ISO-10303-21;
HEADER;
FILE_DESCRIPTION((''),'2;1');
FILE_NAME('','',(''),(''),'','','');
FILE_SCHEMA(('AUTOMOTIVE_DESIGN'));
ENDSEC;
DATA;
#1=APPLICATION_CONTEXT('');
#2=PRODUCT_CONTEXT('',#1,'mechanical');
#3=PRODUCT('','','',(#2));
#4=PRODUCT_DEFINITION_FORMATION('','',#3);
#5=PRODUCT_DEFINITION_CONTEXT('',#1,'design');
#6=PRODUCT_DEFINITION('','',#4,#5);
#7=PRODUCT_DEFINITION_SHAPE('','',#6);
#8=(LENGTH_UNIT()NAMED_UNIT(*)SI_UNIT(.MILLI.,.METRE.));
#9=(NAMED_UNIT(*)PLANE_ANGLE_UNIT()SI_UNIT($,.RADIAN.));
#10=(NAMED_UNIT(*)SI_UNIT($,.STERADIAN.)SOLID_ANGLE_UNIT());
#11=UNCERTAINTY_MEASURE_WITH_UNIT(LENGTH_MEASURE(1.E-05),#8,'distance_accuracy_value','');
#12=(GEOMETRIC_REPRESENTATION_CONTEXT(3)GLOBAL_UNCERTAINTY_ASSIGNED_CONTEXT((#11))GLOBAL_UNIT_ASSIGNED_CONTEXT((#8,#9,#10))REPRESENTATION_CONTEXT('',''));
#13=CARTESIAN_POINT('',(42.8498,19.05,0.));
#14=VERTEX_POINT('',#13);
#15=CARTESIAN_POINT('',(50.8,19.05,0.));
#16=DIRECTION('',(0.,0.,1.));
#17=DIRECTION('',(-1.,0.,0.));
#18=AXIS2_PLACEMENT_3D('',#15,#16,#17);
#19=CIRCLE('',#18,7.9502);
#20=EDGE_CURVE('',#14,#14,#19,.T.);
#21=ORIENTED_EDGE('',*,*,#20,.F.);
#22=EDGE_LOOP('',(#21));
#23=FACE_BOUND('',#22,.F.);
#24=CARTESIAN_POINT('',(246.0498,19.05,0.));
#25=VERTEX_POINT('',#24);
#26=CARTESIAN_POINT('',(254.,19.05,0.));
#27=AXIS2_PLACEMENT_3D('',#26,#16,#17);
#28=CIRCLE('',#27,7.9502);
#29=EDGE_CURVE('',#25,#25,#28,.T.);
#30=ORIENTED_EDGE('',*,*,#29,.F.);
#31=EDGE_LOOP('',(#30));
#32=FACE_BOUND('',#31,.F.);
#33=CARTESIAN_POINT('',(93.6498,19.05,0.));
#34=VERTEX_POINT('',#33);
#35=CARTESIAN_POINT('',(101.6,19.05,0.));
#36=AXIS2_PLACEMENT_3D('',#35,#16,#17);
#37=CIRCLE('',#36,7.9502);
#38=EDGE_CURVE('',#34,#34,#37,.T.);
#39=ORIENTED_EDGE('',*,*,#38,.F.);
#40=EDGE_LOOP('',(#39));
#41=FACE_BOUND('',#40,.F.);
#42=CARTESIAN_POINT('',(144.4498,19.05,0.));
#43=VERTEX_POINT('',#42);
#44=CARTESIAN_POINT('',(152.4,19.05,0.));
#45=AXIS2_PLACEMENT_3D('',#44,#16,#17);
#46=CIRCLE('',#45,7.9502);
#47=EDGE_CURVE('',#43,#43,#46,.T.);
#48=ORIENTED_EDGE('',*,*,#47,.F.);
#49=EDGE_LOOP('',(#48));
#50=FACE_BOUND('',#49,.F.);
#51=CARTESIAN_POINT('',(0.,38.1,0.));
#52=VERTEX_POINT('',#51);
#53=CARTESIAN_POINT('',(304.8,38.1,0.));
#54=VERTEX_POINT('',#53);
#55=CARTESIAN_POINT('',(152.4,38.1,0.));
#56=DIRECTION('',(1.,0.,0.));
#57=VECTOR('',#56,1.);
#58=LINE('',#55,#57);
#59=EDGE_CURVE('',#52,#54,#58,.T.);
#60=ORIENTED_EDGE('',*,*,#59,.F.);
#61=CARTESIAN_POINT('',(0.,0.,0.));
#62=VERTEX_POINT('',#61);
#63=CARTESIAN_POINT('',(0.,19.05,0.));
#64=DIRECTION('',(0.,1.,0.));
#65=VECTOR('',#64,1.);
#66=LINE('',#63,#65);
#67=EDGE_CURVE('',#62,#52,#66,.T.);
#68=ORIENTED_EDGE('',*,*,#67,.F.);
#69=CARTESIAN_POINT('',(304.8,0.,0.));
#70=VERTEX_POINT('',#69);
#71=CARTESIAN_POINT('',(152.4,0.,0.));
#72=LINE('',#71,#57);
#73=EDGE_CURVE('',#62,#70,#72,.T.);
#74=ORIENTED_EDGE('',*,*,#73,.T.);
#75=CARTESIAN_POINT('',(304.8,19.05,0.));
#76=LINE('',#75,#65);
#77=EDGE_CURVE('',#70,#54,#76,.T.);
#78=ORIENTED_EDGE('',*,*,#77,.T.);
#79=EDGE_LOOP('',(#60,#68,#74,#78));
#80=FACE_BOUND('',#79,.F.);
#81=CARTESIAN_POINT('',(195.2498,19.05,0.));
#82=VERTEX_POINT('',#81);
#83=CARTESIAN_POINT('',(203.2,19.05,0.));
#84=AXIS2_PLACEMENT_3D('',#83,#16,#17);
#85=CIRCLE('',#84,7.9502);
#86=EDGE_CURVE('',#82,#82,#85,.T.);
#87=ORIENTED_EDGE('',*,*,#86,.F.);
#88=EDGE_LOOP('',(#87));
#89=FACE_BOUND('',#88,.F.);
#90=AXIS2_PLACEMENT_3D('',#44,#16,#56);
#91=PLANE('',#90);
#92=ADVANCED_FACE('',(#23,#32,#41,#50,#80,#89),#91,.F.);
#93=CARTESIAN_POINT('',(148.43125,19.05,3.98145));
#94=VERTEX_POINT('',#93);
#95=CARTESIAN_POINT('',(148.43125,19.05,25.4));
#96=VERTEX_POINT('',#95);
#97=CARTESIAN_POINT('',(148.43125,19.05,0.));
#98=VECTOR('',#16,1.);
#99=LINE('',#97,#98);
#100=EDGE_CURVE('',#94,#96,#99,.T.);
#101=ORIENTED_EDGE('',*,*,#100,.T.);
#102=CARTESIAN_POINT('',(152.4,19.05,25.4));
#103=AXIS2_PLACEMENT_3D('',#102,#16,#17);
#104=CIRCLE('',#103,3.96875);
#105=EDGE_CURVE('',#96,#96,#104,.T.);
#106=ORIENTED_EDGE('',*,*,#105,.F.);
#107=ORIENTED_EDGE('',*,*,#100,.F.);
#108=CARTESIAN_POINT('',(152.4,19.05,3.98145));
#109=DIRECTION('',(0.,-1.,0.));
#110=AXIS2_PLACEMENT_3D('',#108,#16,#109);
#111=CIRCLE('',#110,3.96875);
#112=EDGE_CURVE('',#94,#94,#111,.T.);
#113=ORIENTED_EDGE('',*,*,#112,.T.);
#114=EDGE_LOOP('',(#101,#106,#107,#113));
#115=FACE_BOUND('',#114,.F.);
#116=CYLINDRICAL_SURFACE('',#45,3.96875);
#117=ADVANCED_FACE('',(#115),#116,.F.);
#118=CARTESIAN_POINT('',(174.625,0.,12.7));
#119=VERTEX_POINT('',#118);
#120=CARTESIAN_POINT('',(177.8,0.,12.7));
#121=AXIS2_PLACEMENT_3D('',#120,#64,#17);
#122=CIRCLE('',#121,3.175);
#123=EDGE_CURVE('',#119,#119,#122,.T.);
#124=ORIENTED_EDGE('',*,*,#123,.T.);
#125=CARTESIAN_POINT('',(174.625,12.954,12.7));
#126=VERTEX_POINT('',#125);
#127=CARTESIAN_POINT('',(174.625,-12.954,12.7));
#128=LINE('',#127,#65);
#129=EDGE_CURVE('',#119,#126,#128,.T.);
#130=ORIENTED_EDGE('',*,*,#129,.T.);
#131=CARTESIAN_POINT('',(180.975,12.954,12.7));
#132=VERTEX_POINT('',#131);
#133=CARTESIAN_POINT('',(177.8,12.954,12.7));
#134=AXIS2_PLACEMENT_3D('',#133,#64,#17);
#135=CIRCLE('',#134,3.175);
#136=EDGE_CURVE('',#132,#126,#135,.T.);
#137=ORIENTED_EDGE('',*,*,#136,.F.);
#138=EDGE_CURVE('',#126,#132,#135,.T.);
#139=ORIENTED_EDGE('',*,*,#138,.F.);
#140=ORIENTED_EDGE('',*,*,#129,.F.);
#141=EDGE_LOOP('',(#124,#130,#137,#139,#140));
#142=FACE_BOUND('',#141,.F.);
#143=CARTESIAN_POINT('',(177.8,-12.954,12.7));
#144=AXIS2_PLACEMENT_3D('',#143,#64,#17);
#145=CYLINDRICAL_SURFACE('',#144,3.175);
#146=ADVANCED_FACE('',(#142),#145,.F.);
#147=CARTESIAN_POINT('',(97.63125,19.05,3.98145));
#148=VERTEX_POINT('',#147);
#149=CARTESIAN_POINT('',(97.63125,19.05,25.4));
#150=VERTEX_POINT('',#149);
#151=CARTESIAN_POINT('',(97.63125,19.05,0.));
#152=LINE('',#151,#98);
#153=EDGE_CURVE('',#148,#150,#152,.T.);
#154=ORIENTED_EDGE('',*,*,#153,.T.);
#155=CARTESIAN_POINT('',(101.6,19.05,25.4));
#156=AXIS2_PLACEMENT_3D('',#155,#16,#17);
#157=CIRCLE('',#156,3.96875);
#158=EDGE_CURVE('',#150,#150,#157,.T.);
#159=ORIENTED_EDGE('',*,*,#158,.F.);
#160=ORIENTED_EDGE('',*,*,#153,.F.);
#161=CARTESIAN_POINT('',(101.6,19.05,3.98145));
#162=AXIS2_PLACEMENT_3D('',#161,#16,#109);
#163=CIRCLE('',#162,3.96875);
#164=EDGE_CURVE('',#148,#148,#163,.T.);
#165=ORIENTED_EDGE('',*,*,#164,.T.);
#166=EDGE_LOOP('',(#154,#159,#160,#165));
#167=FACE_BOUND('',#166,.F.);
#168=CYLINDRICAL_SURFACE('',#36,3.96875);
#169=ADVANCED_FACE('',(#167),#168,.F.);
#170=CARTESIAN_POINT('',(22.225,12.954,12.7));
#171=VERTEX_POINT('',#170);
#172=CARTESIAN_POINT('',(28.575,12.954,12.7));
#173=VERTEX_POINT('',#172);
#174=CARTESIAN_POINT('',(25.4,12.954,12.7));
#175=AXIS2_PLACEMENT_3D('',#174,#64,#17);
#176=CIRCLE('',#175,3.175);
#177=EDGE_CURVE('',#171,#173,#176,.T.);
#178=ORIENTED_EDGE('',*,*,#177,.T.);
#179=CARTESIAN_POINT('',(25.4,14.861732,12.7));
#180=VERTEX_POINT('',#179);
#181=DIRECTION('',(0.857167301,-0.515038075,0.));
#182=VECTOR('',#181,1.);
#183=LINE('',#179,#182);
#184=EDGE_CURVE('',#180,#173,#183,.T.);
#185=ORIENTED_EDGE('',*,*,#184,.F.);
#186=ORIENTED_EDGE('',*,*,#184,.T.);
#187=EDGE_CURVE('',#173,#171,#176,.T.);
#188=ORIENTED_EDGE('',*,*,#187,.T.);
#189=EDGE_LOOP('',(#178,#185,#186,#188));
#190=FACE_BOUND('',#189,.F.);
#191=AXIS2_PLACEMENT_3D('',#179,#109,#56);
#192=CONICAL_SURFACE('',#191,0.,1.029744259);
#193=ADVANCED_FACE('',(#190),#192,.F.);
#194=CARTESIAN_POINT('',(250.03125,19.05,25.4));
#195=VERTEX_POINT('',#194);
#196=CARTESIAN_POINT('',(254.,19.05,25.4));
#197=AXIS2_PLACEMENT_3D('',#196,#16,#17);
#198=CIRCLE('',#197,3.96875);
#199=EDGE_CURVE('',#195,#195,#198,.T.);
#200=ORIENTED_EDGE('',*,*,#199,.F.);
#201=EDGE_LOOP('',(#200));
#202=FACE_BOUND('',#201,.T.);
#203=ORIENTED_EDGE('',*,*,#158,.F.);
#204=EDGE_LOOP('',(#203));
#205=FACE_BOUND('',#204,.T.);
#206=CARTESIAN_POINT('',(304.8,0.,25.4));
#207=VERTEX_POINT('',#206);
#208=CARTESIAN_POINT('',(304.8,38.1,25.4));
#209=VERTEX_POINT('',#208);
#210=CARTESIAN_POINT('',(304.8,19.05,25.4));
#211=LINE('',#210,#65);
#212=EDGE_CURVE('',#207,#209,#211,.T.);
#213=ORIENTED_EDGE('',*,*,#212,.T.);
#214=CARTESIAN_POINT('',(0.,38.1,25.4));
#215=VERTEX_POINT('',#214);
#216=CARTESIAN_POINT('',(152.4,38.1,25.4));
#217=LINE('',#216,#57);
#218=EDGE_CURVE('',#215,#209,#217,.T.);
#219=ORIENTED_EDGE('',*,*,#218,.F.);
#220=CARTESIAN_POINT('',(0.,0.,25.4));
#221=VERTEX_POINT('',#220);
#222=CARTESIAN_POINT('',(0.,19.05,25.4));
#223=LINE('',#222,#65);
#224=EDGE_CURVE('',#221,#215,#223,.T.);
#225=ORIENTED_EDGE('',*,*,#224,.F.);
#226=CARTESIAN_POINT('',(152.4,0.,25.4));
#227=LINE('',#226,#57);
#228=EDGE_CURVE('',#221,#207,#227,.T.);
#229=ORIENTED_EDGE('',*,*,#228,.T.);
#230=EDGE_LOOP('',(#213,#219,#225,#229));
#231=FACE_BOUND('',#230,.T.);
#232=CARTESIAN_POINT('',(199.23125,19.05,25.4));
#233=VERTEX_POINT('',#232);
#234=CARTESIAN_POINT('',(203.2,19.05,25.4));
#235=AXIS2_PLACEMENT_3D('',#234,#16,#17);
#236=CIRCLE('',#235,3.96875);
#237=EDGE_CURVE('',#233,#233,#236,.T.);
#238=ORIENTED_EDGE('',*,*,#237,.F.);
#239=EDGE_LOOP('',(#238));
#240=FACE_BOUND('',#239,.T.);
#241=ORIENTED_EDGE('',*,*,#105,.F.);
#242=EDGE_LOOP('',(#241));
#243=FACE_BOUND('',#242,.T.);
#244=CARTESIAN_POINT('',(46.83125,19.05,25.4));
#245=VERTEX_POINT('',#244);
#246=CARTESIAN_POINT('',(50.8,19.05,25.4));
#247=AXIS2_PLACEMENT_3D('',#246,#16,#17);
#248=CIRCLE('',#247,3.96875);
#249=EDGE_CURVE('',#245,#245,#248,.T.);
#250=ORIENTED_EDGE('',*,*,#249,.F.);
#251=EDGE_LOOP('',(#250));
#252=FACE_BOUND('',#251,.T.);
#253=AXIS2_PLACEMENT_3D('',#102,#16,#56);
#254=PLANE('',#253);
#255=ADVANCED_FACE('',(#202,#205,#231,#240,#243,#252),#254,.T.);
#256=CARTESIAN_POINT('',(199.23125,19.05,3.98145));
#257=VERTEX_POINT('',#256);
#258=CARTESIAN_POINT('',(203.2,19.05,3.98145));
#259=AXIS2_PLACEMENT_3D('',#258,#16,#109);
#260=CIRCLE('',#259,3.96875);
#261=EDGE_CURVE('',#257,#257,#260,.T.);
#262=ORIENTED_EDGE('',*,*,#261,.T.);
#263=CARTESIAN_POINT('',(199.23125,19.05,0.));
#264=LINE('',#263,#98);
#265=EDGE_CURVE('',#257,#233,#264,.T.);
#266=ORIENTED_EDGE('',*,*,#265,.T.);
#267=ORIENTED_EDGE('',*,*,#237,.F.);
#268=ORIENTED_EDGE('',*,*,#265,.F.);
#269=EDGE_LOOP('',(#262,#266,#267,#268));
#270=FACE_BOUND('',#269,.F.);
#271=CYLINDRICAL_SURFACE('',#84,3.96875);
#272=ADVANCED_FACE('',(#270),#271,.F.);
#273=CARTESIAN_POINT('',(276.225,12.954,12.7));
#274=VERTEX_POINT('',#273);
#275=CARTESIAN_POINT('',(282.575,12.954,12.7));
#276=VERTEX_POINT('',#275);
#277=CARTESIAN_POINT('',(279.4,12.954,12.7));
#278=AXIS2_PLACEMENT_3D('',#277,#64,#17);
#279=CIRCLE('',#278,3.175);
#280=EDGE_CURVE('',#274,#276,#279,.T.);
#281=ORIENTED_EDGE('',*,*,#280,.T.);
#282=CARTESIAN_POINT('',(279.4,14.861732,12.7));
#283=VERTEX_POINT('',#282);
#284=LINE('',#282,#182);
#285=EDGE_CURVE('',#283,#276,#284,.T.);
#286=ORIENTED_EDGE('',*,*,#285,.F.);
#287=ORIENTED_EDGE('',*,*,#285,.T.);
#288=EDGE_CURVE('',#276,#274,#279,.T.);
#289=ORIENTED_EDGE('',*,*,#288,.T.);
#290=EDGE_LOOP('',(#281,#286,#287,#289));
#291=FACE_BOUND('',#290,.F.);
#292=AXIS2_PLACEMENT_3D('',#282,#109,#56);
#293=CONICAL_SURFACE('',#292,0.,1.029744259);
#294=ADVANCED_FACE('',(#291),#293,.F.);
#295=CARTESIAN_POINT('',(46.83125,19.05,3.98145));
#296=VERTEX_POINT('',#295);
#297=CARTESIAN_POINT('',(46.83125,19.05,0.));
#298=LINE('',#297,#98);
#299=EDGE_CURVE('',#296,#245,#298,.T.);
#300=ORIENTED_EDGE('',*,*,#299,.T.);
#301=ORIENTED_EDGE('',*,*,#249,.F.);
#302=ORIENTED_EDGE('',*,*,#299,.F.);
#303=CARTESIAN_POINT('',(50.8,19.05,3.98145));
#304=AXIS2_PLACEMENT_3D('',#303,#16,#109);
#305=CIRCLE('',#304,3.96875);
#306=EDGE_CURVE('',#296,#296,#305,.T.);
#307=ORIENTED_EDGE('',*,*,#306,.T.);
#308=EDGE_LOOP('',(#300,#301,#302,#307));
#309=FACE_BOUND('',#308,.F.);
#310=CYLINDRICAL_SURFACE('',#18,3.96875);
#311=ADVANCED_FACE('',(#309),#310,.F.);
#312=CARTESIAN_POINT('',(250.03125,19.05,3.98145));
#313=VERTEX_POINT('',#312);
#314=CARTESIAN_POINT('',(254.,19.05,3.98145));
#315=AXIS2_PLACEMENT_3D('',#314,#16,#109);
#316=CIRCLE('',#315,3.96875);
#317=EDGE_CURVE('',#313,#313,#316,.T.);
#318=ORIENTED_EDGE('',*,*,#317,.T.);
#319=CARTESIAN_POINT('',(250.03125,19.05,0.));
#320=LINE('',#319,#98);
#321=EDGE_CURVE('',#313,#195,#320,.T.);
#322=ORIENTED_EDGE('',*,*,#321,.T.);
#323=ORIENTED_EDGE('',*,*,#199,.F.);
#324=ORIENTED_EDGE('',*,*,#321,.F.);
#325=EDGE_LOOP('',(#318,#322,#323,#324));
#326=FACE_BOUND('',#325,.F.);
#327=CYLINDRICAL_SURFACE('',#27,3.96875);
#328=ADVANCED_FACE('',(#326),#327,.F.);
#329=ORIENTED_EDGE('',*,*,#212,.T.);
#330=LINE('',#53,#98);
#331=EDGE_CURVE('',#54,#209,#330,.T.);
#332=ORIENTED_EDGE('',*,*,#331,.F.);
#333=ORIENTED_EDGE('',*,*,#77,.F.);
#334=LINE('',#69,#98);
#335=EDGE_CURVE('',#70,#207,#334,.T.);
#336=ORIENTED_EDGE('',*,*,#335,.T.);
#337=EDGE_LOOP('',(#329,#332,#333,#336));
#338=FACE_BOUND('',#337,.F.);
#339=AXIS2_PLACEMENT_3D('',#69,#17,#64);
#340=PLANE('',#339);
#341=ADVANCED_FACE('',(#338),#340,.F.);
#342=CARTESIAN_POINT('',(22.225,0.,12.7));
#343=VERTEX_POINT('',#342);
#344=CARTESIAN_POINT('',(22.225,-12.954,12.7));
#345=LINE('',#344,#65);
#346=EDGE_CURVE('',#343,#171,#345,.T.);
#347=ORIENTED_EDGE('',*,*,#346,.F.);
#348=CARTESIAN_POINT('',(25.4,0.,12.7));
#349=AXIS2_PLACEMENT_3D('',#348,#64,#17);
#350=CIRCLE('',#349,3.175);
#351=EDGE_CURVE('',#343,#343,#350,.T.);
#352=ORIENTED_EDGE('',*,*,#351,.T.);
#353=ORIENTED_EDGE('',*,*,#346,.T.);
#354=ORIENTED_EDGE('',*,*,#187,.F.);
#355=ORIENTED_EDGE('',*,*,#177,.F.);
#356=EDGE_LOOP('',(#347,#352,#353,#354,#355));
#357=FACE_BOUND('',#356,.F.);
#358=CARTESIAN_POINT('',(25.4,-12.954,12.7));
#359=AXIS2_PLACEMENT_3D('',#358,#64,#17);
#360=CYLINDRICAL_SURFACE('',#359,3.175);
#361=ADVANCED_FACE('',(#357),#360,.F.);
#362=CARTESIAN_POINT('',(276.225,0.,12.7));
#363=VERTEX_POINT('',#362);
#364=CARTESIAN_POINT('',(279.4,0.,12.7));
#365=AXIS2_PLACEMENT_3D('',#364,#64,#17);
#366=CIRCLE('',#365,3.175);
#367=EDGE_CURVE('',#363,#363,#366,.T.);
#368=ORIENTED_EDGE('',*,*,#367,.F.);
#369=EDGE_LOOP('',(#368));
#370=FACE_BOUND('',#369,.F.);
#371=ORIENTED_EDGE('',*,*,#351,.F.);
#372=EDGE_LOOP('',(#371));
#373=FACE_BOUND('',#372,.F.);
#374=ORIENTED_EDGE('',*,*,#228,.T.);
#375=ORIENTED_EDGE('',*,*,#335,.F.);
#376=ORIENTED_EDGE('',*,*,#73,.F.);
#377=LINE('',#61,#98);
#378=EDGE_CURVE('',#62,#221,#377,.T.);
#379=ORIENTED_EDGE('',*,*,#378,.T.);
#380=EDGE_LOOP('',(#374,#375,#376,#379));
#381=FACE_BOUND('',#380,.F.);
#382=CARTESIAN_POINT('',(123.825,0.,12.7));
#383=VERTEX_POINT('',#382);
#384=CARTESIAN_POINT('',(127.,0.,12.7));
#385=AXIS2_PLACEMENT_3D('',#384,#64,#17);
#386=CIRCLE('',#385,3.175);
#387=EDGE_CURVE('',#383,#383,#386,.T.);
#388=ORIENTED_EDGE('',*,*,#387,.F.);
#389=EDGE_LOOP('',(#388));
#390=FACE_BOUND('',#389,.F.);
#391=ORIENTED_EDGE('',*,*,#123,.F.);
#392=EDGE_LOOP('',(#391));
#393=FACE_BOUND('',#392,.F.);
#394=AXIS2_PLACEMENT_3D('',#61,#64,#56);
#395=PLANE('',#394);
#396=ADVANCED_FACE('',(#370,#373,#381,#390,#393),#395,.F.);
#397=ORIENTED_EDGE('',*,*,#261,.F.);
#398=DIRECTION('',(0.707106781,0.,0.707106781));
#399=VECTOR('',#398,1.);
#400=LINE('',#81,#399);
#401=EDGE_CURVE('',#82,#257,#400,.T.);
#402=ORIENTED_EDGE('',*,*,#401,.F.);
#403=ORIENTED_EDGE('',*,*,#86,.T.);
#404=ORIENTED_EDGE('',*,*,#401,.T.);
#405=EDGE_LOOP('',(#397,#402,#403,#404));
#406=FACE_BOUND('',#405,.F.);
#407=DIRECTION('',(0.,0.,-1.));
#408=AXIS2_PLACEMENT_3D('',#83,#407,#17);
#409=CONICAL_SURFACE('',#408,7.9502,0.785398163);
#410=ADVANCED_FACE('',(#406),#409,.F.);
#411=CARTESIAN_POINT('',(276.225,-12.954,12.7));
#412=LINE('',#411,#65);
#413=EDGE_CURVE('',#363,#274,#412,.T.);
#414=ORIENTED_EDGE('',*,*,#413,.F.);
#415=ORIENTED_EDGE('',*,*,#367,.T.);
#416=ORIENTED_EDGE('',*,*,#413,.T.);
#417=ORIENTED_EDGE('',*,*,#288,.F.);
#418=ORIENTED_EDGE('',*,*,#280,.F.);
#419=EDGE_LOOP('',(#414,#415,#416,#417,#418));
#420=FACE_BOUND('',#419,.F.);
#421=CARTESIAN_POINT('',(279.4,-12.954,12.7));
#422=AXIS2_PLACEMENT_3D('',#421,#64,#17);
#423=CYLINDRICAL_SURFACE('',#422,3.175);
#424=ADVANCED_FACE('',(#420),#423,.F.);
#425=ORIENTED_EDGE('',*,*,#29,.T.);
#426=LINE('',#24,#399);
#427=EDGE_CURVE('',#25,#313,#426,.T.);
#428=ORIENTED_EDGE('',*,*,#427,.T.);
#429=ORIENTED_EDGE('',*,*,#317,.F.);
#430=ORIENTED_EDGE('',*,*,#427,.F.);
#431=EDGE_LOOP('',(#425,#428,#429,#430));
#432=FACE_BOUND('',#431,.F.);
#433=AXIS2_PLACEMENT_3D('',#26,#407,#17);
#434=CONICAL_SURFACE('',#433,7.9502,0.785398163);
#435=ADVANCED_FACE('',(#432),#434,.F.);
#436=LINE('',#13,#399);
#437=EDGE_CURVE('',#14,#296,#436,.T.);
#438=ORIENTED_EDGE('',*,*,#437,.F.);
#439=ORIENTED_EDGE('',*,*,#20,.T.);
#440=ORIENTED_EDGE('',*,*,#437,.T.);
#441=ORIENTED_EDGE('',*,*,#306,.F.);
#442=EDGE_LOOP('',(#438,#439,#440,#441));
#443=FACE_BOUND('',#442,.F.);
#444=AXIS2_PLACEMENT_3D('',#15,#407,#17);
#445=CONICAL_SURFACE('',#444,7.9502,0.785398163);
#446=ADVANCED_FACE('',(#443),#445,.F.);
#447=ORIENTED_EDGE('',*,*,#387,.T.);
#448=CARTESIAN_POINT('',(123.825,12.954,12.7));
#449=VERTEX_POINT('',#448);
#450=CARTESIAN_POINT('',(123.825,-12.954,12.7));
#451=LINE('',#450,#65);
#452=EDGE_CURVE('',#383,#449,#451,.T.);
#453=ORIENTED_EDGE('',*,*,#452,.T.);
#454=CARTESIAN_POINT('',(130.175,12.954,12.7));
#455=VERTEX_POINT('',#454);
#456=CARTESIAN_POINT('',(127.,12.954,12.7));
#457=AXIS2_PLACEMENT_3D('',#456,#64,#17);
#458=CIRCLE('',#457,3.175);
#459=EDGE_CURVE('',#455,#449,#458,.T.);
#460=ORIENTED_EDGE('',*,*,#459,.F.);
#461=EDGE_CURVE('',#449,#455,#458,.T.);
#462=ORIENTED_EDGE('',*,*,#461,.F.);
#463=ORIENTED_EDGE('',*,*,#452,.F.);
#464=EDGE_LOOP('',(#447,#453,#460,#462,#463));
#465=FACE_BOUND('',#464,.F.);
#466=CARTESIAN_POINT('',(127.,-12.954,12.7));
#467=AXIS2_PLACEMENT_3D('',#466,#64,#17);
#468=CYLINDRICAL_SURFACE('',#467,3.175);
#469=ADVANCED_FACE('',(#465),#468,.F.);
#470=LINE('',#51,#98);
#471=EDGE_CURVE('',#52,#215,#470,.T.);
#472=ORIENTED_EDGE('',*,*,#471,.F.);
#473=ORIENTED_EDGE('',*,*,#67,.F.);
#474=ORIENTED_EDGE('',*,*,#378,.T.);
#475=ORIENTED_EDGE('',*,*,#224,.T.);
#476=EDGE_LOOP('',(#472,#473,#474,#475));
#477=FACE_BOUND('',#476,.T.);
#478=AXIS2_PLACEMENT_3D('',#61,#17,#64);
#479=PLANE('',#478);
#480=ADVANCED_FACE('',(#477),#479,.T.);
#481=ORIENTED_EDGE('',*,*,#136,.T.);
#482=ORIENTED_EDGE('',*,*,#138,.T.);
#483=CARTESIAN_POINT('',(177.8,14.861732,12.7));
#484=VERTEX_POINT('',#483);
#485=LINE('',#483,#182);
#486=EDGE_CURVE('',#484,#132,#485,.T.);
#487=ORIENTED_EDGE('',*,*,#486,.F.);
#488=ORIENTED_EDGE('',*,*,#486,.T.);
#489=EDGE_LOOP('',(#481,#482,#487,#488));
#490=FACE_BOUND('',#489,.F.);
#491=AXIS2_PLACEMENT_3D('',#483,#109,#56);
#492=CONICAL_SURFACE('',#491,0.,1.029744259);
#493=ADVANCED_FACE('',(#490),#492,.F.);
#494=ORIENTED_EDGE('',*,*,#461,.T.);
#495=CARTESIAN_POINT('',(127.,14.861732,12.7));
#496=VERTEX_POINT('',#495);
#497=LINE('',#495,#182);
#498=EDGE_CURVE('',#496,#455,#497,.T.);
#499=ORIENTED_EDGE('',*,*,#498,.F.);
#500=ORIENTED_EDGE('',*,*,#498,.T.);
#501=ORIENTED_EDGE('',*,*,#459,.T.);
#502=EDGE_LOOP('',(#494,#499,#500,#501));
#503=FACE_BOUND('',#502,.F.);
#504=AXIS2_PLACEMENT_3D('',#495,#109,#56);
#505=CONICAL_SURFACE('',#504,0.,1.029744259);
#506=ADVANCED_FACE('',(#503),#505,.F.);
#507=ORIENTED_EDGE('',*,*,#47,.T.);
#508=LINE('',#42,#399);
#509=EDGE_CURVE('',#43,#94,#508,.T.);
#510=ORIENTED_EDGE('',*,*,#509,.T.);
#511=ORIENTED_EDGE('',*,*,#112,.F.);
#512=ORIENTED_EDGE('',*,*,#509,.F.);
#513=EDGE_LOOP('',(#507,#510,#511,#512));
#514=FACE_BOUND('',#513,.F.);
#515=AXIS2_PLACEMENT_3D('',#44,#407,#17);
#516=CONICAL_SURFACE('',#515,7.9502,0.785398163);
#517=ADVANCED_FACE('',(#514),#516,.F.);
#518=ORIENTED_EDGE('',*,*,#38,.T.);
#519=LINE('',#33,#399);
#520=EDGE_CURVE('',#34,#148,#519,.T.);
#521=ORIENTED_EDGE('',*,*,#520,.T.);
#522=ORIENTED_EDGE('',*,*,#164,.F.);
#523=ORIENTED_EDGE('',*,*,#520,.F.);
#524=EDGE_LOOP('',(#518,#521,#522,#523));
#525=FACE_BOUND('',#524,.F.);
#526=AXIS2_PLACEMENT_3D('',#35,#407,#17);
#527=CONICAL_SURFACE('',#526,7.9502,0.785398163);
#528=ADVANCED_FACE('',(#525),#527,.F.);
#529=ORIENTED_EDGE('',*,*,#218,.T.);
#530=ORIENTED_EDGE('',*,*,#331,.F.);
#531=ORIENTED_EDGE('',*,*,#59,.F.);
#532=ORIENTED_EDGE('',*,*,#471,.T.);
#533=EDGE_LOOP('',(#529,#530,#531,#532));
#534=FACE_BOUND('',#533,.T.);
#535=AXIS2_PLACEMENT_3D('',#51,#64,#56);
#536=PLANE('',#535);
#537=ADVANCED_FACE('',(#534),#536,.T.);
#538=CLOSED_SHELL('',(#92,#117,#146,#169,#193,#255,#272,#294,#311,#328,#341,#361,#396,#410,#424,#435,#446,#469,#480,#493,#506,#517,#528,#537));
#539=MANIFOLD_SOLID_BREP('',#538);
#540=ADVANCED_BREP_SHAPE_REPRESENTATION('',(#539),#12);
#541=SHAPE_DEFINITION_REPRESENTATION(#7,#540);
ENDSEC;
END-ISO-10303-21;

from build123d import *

# Parameters (mm, degrees)
F0_W           = 304.8
F0_H           = 38.1
F1_DEPTH       = 25.4
F2_D           = 7.9375
F2_CSINK_D     = 15.9004
F2_CSINK_ANGLE = 90
F4_D           = 6.35
F4_DEPTH       = 12.954
F4_TIP         = 1.9077324654


with BuildPart() as f1:
    # F0 (on Top) → F1 (new body)
    with BuildSketch(Plane.XY):
        with Locations((152.4, 19.05)):
            Rectangle(F0_W, F0_H)
    extrude(amount=F1_DEPTH)

    # F2 (through all)
    with Locations(Plane(origin=(0, 0, 0), x_dir=(1, 0, 0), z_dir=(0, 0, -1))):
        with Locations((50.8, -19.05), (101.6, -19.05), (152.4, -19.05), (203.2, -19.05), (254, -19.05)):
            CounterSinkHole(F2_D / 2, F2_CSINK_D / 2, counter_sink_angle=F2_CSINK_ANGLE)

    # F4
    with Locations(Plane.XZ):
        with Locations((25.4, 12.7), (127, 12.7), (177.8, 12.7), (279.4, 12.7)):
            Hole(F4_D / 2, depth=F4_DEPTH)
            with Locations((0, 0, -(F4_DEPTH + F4_TIP / 2))):  # 118° drill point
                Cone(0, F4_D / 2, F4_TIP, mode=Mode.SUBTRACT)


solid = f1.part
